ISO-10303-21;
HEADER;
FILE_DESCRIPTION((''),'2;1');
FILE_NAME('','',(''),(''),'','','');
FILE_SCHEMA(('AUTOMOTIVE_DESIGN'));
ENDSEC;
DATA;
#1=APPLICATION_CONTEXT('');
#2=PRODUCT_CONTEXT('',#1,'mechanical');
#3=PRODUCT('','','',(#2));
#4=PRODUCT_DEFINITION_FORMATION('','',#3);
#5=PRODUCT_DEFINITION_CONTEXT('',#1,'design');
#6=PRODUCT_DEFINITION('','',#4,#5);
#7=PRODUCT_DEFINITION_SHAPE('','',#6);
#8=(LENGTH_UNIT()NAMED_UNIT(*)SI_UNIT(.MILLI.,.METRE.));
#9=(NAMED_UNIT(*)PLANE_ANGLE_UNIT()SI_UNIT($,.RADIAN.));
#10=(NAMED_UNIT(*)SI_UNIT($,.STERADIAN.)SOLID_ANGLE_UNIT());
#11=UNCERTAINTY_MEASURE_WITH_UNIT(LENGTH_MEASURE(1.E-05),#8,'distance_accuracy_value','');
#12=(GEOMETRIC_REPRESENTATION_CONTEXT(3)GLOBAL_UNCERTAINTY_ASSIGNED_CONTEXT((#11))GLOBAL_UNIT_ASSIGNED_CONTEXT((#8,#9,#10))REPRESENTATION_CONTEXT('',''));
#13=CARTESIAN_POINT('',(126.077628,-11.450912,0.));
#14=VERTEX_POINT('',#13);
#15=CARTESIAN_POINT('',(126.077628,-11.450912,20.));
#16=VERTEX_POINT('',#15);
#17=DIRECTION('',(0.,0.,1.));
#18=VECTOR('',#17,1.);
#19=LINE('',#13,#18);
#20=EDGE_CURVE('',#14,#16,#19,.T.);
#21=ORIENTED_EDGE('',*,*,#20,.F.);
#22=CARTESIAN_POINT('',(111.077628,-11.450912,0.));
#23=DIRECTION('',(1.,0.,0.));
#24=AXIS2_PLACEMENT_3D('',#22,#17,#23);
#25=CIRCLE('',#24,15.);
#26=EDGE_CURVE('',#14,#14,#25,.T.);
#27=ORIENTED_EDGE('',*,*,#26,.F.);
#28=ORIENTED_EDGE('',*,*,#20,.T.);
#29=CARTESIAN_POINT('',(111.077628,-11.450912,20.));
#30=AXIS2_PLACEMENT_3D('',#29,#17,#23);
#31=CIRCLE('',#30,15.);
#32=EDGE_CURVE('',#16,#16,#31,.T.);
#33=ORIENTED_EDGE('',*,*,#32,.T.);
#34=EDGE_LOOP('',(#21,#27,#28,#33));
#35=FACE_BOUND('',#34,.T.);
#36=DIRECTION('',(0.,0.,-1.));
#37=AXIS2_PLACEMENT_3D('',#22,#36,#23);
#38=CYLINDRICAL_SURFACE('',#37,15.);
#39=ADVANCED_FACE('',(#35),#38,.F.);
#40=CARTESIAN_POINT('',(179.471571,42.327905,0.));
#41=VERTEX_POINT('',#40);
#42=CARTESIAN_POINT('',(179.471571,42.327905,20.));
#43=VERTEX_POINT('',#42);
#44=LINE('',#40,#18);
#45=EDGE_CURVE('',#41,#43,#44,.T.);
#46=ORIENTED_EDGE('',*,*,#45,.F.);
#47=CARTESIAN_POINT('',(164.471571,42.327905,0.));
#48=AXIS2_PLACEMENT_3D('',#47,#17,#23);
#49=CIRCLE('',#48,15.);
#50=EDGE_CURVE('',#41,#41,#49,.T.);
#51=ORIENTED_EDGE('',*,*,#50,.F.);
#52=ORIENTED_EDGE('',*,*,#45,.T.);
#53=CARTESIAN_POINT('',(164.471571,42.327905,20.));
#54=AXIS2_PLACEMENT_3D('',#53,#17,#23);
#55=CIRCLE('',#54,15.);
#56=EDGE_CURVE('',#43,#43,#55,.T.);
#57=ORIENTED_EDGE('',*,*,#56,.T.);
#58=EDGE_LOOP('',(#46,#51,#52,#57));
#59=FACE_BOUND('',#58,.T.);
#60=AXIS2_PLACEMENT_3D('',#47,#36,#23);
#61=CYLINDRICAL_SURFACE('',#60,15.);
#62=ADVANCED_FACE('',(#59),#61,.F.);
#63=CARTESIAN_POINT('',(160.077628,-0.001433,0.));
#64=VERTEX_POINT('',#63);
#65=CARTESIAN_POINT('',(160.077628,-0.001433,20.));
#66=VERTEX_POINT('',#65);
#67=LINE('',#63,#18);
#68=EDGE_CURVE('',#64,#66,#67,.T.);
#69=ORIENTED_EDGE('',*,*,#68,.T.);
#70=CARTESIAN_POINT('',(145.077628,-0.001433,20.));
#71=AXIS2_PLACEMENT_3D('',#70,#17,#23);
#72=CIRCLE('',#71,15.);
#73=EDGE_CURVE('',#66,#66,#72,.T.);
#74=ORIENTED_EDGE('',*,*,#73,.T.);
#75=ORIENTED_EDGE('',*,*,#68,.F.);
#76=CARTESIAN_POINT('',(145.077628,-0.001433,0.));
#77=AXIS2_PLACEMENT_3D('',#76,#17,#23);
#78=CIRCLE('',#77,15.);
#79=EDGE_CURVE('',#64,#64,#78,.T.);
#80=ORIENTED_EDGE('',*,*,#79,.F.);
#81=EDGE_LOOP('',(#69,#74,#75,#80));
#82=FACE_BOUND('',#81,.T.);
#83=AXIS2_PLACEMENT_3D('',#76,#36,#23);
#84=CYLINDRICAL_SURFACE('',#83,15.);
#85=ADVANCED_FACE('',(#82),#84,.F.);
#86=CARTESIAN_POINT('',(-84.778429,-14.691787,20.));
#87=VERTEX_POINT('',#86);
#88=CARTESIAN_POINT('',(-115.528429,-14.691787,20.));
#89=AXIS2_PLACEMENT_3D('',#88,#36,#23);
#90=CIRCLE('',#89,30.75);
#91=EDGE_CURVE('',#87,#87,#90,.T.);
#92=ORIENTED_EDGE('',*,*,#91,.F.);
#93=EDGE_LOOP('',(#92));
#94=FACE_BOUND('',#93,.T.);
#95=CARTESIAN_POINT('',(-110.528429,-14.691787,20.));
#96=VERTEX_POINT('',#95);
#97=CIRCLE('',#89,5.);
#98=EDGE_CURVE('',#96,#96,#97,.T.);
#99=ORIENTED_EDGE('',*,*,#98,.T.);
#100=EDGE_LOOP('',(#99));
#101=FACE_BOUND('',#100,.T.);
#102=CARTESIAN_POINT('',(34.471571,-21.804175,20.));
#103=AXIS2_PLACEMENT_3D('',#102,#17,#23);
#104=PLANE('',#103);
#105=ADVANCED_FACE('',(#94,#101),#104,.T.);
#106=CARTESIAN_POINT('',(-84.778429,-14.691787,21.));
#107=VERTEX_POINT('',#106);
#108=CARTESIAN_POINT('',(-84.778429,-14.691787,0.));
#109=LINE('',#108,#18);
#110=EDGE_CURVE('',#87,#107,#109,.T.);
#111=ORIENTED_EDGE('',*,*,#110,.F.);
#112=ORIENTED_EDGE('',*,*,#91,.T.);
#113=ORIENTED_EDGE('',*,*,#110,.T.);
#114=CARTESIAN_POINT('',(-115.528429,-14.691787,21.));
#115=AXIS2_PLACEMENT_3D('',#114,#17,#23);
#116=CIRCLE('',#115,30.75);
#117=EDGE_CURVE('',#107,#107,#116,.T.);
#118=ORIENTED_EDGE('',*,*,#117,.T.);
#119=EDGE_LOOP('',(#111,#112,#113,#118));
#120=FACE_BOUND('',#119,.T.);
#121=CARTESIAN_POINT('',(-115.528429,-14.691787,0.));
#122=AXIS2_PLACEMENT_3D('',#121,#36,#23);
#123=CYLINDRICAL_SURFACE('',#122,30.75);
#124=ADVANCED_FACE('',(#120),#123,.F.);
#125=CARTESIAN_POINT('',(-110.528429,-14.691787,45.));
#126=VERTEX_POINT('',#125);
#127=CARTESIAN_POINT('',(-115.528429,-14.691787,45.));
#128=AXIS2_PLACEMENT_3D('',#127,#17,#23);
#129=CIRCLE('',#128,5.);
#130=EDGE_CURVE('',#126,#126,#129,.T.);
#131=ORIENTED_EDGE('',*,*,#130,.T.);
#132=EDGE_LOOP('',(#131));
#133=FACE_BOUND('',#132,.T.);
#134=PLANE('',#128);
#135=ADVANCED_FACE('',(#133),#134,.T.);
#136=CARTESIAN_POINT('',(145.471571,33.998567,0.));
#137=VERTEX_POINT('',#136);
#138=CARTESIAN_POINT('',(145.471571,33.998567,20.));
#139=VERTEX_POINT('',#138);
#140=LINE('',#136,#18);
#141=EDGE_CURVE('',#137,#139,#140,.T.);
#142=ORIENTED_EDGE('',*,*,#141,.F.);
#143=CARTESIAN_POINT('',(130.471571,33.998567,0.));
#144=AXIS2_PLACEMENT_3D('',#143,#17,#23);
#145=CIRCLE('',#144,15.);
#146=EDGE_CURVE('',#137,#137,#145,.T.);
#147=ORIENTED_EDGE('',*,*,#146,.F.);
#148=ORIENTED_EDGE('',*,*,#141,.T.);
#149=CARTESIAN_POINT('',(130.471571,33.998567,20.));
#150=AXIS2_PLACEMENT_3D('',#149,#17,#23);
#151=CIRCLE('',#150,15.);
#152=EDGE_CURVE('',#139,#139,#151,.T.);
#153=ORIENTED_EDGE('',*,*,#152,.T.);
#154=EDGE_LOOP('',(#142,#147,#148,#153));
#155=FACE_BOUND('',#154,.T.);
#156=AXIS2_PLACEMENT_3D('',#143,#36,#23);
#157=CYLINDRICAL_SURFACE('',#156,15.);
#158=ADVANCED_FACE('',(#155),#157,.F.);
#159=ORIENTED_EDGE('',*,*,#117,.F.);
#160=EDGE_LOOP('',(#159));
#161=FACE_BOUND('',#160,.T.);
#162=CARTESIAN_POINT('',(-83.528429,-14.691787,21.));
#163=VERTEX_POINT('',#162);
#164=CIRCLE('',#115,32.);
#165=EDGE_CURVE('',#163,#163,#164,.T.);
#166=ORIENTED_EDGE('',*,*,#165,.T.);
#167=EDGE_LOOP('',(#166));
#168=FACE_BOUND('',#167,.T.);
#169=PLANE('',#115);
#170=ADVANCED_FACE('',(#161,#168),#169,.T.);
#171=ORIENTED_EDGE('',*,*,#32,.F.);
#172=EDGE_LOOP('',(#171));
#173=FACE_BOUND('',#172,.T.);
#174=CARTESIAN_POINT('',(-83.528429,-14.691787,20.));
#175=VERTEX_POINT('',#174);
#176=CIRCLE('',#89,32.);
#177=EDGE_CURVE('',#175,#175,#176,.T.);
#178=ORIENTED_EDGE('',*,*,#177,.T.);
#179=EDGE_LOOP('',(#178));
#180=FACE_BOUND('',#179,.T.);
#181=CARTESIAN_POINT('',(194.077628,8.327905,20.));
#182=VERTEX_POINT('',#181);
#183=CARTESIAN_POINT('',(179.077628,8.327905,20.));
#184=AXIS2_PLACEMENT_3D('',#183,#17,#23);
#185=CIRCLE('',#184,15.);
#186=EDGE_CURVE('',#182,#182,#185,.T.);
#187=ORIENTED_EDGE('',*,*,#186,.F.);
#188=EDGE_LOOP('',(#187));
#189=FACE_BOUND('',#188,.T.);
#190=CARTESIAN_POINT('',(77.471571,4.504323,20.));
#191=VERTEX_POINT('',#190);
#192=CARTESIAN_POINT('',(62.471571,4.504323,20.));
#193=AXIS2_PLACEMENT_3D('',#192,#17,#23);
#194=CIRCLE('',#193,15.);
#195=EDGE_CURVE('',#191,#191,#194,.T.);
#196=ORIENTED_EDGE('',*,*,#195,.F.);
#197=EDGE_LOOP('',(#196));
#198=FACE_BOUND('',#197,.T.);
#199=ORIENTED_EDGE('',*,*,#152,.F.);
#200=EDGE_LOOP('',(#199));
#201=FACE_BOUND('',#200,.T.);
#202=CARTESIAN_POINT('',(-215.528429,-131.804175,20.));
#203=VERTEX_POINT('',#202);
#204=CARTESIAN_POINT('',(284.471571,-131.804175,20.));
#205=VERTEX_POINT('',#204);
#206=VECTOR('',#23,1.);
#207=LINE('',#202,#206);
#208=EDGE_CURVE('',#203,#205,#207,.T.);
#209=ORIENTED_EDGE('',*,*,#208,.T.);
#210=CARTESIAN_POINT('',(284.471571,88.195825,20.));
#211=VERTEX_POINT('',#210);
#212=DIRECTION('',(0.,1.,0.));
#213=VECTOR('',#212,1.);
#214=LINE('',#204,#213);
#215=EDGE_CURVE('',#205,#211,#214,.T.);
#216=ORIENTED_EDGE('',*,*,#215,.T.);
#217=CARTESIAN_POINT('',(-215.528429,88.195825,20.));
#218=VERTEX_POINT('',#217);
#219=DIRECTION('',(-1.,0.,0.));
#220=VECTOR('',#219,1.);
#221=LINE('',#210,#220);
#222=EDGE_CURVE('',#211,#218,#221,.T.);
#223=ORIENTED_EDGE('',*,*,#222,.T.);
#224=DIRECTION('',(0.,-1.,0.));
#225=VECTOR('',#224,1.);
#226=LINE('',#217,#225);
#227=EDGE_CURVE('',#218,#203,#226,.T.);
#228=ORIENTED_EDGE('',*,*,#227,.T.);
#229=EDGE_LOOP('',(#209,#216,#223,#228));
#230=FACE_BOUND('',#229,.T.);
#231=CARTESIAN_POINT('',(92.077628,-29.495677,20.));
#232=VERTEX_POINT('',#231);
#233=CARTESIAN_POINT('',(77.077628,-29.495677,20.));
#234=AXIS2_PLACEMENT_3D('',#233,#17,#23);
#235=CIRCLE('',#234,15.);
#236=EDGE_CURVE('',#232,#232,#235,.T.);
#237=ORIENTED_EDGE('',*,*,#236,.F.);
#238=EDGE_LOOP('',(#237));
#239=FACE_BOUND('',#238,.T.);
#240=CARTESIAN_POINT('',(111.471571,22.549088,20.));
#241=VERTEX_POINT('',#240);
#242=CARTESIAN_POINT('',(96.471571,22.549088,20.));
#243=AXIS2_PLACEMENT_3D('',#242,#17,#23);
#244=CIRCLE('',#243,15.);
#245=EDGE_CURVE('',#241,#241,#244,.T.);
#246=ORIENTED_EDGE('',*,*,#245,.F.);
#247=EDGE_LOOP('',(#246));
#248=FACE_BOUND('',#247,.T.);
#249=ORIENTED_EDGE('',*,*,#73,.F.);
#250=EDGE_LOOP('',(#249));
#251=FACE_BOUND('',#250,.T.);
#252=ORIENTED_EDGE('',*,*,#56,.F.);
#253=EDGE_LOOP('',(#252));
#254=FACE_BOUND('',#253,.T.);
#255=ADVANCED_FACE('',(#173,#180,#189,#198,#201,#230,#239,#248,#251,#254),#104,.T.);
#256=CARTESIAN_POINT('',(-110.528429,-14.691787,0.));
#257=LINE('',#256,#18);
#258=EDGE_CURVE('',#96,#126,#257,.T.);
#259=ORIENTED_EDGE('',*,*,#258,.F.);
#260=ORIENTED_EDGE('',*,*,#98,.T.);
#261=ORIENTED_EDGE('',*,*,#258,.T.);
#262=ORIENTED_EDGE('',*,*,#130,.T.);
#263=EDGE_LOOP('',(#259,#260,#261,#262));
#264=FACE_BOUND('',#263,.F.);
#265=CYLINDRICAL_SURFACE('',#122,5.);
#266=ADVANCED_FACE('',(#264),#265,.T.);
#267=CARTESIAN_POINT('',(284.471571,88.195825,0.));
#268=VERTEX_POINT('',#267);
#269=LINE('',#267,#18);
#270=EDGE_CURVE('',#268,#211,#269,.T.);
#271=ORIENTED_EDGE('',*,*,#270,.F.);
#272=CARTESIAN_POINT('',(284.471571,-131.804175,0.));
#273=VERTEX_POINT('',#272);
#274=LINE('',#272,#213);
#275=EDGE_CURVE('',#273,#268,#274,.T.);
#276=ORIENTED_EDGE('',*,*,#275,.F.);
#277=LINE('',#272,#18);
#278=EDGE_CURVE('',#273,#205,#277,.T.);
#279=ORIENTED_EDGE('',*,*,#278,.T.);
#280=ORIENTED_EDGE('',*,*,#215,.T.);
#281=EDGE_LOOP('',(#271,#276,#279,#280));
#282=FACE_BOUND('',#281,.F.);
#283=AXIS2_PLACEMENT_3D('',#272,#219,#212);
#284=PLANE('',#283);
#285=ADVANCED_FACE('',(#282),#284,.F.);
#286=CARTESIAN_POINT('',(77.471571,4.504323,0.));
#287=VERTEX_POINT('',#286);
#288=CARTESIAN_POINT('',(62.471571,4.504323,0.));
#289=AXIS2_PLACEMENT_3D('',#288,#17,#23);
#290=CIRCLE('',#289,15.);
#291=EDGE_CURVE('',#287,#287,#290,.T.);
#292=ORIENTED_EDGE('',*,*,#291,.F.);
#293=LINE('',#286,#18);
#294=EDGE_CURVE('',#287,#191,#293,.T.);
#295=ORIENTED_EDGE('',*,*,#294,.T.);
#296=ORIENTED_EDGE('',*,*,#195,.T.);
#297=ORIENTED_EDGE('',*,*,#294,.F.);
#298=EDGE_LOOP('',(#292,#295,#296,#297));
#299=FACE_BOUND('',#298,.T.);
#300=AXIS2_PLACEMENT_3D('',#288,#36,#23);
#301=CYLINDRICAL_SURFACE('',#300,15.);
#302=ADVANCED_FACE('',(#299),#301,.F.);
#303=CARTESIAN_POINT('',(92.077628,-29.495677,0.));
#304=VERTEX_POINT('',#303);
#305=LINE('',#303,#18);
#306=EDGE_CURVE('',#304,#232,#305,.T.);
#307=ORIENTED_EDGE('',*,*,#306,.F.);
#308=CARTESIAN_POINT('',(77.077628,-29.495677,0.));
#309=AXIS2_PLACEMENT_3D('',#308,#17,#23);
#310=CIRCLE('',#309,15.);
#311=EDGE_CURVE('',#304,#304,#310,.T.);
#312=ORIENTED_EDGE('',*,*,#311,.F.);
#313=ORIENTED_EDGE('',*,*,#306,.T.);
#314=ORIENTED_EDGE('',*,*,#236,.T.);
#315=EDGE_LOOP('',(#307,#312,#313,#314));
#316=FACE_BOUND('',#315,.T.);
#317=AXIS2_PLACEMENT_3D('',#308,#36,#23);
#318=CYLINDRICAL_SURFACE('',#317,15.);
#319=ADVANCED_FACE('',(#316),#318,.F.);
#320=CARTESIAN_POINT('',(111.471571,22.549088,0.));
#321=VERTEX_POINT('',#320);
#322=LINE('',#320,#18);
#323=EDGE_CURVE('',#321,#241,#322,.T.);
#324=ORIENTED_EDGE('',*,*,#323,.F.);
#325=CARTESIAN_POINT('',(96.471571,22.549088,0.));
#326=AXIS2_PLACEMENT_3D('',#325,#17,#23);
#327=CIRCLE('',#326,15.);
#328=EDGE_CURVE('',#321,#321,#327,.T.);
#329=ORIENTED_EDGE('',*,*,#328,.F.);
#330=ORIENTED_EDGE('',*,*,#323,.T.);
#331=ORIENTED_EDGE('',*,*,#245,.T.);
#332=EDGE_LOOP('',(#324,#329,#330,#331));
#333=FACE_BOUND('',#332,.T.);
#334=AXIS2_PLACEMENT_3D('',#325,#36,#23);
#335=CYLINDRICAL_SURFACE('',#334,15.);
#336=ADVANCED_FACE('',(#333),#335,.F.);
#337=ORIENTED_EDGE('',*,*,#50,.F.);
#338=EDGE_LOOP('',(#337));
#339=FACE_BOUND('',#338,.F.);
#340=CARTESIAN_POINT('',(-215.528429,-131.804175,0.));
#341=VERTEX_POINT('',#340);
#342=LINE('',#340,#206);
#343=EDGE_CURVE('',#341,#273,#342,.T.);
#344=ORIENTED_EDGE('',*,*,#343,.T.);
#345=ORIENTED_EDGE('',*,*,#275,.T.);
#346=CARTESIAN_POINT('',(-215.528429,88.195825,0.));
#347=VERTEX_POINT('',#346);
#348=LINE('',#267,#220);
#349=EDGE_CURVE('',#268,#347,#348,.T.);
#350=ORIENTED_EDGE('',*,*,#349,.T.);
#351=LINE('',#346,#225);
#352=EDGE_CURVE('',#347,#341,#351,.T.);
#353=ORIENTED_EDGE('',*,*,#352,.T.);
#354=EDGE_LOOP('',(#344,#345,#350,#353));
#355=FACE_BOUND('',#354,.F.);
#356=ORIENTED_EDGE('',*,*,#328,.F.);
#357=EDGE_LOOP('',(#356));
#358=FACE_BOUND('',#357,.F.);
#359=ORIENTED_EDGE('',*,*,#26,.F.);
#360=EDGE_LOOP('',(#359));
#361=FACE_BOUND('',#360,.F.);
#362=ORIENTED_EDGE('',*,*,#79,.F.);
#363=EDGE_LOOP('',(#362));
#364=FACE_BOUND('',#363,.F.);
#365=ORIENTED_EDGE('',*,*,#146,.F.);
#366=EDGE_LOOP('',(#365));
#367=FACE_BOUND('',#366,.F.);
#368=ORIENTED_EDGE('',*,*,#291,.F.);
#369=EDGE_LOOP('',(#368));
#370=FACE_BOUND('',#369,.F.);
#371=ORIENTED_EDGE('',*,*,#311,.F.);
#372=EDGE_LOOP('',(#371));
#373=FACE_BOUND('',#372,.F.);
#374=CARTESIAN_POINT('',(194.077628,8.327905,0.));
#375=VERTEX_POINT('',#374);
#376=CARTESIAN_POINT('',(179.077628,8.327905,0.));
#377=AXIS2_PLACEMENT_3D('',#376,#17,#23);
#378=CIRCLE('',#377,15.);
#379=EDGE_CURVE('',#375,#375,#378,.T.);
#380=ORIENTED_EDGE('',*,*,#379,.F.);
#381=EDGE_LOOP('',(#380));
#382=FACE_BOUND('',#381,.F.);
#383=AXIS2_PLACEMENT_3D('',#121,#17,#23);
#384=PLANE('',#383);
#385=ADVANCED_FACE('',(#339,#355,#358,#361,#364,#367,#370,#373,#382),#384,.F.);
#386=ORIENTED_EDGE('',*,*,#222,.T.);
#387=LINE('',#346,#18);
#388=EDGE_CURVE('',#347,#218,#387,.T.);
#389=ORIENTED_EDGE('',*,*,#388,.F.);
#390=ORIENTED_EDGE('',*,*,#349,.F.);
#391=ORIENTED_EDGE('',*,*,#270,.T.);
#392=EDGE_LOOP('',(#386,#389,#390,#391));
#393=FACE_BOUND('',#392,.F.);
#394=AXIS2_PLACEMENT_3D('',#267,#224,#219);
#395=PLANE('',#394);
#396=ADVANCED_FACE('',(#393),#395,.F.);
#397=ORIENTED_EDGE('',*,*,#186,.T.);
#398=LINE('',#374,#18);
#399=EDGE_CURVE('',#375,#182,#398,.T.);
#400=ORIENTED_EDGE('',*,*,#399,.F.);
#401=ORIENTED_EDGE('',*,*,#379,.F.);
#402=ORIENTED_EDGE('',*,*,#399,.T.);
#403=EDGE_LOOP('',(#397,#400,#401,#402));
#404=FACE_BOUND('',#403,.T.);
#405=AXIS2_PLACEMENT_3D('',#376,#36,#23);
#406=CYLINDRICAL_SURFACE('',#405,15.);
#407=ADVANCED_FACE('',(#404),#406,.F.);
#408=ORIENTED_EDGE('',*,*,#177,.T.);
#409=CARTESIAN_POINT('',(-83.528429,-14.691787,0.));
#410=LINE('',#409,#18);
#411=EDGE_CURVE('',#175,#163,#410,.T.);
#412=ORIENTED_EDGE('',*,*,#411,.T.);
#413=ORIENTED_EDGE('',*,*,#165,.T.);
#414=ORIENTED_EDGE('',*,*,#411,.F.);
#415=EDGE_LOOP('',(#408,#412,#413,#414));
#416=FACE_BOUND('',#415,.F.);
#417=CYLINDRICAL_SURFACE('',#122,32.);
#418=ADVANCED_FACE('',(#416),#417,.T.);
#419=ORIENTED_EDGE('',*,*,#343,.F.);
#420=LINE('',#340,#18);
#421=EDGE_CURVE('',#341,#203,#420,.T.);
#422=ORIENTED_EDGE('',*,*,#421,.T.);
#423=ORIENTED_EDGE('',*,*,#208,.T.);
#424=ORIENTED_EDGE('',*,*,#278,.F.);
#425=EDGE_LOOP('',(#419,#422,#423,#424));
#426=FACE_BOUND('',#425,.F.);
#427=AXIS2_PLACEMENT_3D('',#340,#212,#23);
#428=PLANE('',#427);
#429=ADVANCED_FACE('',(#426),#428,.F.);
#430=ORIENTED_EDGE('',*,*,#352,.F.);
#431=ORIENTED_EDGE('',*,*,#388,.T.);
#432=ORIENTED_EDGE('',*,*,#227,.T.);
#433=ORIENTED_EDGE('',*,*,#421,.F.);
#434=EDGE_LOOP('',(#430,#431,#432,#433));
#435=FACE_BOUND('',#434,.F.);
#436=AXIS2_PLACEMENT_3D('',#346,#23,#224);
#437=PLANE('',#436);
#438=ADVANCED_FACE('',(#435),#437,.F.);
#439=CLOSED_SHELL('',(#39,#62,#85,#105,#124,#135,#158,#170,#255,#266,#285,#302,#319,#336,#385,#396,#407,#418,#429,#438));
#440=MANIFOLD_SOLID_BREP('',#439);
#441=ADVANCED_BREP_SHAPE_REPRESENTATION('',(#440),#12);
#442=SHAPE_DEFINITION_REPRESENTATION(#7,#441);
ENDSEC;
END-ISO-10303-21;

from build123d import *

# Parameters (mm, degrees)
F0_R     = 15
F0_R_2   = 32
F0_R_3   = 30.75
F0_R_4   = 5
F1_DEPTH = 20
F2_DEPTH = 21
F3_DEPTH = 45


with BuildPart() as f1:
    # F0 (on Top) → F1 (new body)
    with BuildSketch(Plane.XY):
        Polygon((284.4715710252, 88.1958252929), (-215.5284289748, 88.1958252929), (-215.5284289748, -14.6917872616), (-215.5284289748, -112.5681422158), (-215.5284289748, -131.8041747071), (284.4715710252, -131.8041747071), (284.4715710252, -112.5681422158), align=None)
        with Locations((77.0776277755, -29.4956769794)):
            Circle(F0_R, mode=Mode.SUBTRACT)
        with Locations((-115.5284289748, -14.6917872616)):
            Circle(F0_R_2, mode=Mode.SUBTRACT)
        with Locations((62.4715710252, 4.5043230206)):
            Circle(F0_R, mode=Mode.SUBTRACT)
        with Locations((111.0776277755, -11.4509115215)):
            Circle(F0_R, mode=Mode.SUBTRACT)
        with Locations((145.0776277755, -0.0014326224)):
            Circle(F0_R, mode=Mode.SUBTRACT)
        with Locations((96.4715710252, 22.5490884785)):
            Circle(F0_R, mode=Mode.SUBTRACT)
        with Locations((179.0776277755, 8.3279051832)):
            Circle(F0_R, mode=Mode.SUBTRACT)
        with Locations((130.4715710252, 33.9985673776)):
            Circle(F0_R, mode=Mode.SUBTRACT)
        with Locations((164.4715710252, 42.3279051832)):
            Circle(F0_R, mode=Mode.SUBTRACT)
        with Locations((-115.5284289748, -14.6917872616)):
            Circle(F0_R_2)
        with Locations((-115.5284289748, -14.6917872616)):
            Circle(F0_R_3, mode=Mode.SUBTRACT)
        with Locations((-115.5284289748, -14.6917872616)):
            Circle(F0_R_3)
        with Locations((-115.5284289748, -14.6917872616)):
            Circle(F0_R_4, mode=Mode.SUBTRACT)
        with Locations((-115.5284289748, -14.6917872616)):
            Circle(F0_R_4)
    extrude(amount=F1_DEPTH)

    # F0 (on Top) → F2 (join)
    with BuildSketch(Plane.XY):
        with Locations((-115.5284289748, -14.6917872616)):
            Circle(F0_R_2)
        with Locations((-115.5284289748, -14.6917872616)):
            Circle(F0_R_3, mode=Mode.SUBTRACT)
    extrude(amount=F2_DEPTH)

    # F0 (on Top) → F3 (join)
    with BuildSketch(Plane.XY):
        with Locations((-115.5284289748, -14.6917872616)):
            Circle(F0_R_4)
    extrude(amount=F3_DEPTH)


solid = f1.part
